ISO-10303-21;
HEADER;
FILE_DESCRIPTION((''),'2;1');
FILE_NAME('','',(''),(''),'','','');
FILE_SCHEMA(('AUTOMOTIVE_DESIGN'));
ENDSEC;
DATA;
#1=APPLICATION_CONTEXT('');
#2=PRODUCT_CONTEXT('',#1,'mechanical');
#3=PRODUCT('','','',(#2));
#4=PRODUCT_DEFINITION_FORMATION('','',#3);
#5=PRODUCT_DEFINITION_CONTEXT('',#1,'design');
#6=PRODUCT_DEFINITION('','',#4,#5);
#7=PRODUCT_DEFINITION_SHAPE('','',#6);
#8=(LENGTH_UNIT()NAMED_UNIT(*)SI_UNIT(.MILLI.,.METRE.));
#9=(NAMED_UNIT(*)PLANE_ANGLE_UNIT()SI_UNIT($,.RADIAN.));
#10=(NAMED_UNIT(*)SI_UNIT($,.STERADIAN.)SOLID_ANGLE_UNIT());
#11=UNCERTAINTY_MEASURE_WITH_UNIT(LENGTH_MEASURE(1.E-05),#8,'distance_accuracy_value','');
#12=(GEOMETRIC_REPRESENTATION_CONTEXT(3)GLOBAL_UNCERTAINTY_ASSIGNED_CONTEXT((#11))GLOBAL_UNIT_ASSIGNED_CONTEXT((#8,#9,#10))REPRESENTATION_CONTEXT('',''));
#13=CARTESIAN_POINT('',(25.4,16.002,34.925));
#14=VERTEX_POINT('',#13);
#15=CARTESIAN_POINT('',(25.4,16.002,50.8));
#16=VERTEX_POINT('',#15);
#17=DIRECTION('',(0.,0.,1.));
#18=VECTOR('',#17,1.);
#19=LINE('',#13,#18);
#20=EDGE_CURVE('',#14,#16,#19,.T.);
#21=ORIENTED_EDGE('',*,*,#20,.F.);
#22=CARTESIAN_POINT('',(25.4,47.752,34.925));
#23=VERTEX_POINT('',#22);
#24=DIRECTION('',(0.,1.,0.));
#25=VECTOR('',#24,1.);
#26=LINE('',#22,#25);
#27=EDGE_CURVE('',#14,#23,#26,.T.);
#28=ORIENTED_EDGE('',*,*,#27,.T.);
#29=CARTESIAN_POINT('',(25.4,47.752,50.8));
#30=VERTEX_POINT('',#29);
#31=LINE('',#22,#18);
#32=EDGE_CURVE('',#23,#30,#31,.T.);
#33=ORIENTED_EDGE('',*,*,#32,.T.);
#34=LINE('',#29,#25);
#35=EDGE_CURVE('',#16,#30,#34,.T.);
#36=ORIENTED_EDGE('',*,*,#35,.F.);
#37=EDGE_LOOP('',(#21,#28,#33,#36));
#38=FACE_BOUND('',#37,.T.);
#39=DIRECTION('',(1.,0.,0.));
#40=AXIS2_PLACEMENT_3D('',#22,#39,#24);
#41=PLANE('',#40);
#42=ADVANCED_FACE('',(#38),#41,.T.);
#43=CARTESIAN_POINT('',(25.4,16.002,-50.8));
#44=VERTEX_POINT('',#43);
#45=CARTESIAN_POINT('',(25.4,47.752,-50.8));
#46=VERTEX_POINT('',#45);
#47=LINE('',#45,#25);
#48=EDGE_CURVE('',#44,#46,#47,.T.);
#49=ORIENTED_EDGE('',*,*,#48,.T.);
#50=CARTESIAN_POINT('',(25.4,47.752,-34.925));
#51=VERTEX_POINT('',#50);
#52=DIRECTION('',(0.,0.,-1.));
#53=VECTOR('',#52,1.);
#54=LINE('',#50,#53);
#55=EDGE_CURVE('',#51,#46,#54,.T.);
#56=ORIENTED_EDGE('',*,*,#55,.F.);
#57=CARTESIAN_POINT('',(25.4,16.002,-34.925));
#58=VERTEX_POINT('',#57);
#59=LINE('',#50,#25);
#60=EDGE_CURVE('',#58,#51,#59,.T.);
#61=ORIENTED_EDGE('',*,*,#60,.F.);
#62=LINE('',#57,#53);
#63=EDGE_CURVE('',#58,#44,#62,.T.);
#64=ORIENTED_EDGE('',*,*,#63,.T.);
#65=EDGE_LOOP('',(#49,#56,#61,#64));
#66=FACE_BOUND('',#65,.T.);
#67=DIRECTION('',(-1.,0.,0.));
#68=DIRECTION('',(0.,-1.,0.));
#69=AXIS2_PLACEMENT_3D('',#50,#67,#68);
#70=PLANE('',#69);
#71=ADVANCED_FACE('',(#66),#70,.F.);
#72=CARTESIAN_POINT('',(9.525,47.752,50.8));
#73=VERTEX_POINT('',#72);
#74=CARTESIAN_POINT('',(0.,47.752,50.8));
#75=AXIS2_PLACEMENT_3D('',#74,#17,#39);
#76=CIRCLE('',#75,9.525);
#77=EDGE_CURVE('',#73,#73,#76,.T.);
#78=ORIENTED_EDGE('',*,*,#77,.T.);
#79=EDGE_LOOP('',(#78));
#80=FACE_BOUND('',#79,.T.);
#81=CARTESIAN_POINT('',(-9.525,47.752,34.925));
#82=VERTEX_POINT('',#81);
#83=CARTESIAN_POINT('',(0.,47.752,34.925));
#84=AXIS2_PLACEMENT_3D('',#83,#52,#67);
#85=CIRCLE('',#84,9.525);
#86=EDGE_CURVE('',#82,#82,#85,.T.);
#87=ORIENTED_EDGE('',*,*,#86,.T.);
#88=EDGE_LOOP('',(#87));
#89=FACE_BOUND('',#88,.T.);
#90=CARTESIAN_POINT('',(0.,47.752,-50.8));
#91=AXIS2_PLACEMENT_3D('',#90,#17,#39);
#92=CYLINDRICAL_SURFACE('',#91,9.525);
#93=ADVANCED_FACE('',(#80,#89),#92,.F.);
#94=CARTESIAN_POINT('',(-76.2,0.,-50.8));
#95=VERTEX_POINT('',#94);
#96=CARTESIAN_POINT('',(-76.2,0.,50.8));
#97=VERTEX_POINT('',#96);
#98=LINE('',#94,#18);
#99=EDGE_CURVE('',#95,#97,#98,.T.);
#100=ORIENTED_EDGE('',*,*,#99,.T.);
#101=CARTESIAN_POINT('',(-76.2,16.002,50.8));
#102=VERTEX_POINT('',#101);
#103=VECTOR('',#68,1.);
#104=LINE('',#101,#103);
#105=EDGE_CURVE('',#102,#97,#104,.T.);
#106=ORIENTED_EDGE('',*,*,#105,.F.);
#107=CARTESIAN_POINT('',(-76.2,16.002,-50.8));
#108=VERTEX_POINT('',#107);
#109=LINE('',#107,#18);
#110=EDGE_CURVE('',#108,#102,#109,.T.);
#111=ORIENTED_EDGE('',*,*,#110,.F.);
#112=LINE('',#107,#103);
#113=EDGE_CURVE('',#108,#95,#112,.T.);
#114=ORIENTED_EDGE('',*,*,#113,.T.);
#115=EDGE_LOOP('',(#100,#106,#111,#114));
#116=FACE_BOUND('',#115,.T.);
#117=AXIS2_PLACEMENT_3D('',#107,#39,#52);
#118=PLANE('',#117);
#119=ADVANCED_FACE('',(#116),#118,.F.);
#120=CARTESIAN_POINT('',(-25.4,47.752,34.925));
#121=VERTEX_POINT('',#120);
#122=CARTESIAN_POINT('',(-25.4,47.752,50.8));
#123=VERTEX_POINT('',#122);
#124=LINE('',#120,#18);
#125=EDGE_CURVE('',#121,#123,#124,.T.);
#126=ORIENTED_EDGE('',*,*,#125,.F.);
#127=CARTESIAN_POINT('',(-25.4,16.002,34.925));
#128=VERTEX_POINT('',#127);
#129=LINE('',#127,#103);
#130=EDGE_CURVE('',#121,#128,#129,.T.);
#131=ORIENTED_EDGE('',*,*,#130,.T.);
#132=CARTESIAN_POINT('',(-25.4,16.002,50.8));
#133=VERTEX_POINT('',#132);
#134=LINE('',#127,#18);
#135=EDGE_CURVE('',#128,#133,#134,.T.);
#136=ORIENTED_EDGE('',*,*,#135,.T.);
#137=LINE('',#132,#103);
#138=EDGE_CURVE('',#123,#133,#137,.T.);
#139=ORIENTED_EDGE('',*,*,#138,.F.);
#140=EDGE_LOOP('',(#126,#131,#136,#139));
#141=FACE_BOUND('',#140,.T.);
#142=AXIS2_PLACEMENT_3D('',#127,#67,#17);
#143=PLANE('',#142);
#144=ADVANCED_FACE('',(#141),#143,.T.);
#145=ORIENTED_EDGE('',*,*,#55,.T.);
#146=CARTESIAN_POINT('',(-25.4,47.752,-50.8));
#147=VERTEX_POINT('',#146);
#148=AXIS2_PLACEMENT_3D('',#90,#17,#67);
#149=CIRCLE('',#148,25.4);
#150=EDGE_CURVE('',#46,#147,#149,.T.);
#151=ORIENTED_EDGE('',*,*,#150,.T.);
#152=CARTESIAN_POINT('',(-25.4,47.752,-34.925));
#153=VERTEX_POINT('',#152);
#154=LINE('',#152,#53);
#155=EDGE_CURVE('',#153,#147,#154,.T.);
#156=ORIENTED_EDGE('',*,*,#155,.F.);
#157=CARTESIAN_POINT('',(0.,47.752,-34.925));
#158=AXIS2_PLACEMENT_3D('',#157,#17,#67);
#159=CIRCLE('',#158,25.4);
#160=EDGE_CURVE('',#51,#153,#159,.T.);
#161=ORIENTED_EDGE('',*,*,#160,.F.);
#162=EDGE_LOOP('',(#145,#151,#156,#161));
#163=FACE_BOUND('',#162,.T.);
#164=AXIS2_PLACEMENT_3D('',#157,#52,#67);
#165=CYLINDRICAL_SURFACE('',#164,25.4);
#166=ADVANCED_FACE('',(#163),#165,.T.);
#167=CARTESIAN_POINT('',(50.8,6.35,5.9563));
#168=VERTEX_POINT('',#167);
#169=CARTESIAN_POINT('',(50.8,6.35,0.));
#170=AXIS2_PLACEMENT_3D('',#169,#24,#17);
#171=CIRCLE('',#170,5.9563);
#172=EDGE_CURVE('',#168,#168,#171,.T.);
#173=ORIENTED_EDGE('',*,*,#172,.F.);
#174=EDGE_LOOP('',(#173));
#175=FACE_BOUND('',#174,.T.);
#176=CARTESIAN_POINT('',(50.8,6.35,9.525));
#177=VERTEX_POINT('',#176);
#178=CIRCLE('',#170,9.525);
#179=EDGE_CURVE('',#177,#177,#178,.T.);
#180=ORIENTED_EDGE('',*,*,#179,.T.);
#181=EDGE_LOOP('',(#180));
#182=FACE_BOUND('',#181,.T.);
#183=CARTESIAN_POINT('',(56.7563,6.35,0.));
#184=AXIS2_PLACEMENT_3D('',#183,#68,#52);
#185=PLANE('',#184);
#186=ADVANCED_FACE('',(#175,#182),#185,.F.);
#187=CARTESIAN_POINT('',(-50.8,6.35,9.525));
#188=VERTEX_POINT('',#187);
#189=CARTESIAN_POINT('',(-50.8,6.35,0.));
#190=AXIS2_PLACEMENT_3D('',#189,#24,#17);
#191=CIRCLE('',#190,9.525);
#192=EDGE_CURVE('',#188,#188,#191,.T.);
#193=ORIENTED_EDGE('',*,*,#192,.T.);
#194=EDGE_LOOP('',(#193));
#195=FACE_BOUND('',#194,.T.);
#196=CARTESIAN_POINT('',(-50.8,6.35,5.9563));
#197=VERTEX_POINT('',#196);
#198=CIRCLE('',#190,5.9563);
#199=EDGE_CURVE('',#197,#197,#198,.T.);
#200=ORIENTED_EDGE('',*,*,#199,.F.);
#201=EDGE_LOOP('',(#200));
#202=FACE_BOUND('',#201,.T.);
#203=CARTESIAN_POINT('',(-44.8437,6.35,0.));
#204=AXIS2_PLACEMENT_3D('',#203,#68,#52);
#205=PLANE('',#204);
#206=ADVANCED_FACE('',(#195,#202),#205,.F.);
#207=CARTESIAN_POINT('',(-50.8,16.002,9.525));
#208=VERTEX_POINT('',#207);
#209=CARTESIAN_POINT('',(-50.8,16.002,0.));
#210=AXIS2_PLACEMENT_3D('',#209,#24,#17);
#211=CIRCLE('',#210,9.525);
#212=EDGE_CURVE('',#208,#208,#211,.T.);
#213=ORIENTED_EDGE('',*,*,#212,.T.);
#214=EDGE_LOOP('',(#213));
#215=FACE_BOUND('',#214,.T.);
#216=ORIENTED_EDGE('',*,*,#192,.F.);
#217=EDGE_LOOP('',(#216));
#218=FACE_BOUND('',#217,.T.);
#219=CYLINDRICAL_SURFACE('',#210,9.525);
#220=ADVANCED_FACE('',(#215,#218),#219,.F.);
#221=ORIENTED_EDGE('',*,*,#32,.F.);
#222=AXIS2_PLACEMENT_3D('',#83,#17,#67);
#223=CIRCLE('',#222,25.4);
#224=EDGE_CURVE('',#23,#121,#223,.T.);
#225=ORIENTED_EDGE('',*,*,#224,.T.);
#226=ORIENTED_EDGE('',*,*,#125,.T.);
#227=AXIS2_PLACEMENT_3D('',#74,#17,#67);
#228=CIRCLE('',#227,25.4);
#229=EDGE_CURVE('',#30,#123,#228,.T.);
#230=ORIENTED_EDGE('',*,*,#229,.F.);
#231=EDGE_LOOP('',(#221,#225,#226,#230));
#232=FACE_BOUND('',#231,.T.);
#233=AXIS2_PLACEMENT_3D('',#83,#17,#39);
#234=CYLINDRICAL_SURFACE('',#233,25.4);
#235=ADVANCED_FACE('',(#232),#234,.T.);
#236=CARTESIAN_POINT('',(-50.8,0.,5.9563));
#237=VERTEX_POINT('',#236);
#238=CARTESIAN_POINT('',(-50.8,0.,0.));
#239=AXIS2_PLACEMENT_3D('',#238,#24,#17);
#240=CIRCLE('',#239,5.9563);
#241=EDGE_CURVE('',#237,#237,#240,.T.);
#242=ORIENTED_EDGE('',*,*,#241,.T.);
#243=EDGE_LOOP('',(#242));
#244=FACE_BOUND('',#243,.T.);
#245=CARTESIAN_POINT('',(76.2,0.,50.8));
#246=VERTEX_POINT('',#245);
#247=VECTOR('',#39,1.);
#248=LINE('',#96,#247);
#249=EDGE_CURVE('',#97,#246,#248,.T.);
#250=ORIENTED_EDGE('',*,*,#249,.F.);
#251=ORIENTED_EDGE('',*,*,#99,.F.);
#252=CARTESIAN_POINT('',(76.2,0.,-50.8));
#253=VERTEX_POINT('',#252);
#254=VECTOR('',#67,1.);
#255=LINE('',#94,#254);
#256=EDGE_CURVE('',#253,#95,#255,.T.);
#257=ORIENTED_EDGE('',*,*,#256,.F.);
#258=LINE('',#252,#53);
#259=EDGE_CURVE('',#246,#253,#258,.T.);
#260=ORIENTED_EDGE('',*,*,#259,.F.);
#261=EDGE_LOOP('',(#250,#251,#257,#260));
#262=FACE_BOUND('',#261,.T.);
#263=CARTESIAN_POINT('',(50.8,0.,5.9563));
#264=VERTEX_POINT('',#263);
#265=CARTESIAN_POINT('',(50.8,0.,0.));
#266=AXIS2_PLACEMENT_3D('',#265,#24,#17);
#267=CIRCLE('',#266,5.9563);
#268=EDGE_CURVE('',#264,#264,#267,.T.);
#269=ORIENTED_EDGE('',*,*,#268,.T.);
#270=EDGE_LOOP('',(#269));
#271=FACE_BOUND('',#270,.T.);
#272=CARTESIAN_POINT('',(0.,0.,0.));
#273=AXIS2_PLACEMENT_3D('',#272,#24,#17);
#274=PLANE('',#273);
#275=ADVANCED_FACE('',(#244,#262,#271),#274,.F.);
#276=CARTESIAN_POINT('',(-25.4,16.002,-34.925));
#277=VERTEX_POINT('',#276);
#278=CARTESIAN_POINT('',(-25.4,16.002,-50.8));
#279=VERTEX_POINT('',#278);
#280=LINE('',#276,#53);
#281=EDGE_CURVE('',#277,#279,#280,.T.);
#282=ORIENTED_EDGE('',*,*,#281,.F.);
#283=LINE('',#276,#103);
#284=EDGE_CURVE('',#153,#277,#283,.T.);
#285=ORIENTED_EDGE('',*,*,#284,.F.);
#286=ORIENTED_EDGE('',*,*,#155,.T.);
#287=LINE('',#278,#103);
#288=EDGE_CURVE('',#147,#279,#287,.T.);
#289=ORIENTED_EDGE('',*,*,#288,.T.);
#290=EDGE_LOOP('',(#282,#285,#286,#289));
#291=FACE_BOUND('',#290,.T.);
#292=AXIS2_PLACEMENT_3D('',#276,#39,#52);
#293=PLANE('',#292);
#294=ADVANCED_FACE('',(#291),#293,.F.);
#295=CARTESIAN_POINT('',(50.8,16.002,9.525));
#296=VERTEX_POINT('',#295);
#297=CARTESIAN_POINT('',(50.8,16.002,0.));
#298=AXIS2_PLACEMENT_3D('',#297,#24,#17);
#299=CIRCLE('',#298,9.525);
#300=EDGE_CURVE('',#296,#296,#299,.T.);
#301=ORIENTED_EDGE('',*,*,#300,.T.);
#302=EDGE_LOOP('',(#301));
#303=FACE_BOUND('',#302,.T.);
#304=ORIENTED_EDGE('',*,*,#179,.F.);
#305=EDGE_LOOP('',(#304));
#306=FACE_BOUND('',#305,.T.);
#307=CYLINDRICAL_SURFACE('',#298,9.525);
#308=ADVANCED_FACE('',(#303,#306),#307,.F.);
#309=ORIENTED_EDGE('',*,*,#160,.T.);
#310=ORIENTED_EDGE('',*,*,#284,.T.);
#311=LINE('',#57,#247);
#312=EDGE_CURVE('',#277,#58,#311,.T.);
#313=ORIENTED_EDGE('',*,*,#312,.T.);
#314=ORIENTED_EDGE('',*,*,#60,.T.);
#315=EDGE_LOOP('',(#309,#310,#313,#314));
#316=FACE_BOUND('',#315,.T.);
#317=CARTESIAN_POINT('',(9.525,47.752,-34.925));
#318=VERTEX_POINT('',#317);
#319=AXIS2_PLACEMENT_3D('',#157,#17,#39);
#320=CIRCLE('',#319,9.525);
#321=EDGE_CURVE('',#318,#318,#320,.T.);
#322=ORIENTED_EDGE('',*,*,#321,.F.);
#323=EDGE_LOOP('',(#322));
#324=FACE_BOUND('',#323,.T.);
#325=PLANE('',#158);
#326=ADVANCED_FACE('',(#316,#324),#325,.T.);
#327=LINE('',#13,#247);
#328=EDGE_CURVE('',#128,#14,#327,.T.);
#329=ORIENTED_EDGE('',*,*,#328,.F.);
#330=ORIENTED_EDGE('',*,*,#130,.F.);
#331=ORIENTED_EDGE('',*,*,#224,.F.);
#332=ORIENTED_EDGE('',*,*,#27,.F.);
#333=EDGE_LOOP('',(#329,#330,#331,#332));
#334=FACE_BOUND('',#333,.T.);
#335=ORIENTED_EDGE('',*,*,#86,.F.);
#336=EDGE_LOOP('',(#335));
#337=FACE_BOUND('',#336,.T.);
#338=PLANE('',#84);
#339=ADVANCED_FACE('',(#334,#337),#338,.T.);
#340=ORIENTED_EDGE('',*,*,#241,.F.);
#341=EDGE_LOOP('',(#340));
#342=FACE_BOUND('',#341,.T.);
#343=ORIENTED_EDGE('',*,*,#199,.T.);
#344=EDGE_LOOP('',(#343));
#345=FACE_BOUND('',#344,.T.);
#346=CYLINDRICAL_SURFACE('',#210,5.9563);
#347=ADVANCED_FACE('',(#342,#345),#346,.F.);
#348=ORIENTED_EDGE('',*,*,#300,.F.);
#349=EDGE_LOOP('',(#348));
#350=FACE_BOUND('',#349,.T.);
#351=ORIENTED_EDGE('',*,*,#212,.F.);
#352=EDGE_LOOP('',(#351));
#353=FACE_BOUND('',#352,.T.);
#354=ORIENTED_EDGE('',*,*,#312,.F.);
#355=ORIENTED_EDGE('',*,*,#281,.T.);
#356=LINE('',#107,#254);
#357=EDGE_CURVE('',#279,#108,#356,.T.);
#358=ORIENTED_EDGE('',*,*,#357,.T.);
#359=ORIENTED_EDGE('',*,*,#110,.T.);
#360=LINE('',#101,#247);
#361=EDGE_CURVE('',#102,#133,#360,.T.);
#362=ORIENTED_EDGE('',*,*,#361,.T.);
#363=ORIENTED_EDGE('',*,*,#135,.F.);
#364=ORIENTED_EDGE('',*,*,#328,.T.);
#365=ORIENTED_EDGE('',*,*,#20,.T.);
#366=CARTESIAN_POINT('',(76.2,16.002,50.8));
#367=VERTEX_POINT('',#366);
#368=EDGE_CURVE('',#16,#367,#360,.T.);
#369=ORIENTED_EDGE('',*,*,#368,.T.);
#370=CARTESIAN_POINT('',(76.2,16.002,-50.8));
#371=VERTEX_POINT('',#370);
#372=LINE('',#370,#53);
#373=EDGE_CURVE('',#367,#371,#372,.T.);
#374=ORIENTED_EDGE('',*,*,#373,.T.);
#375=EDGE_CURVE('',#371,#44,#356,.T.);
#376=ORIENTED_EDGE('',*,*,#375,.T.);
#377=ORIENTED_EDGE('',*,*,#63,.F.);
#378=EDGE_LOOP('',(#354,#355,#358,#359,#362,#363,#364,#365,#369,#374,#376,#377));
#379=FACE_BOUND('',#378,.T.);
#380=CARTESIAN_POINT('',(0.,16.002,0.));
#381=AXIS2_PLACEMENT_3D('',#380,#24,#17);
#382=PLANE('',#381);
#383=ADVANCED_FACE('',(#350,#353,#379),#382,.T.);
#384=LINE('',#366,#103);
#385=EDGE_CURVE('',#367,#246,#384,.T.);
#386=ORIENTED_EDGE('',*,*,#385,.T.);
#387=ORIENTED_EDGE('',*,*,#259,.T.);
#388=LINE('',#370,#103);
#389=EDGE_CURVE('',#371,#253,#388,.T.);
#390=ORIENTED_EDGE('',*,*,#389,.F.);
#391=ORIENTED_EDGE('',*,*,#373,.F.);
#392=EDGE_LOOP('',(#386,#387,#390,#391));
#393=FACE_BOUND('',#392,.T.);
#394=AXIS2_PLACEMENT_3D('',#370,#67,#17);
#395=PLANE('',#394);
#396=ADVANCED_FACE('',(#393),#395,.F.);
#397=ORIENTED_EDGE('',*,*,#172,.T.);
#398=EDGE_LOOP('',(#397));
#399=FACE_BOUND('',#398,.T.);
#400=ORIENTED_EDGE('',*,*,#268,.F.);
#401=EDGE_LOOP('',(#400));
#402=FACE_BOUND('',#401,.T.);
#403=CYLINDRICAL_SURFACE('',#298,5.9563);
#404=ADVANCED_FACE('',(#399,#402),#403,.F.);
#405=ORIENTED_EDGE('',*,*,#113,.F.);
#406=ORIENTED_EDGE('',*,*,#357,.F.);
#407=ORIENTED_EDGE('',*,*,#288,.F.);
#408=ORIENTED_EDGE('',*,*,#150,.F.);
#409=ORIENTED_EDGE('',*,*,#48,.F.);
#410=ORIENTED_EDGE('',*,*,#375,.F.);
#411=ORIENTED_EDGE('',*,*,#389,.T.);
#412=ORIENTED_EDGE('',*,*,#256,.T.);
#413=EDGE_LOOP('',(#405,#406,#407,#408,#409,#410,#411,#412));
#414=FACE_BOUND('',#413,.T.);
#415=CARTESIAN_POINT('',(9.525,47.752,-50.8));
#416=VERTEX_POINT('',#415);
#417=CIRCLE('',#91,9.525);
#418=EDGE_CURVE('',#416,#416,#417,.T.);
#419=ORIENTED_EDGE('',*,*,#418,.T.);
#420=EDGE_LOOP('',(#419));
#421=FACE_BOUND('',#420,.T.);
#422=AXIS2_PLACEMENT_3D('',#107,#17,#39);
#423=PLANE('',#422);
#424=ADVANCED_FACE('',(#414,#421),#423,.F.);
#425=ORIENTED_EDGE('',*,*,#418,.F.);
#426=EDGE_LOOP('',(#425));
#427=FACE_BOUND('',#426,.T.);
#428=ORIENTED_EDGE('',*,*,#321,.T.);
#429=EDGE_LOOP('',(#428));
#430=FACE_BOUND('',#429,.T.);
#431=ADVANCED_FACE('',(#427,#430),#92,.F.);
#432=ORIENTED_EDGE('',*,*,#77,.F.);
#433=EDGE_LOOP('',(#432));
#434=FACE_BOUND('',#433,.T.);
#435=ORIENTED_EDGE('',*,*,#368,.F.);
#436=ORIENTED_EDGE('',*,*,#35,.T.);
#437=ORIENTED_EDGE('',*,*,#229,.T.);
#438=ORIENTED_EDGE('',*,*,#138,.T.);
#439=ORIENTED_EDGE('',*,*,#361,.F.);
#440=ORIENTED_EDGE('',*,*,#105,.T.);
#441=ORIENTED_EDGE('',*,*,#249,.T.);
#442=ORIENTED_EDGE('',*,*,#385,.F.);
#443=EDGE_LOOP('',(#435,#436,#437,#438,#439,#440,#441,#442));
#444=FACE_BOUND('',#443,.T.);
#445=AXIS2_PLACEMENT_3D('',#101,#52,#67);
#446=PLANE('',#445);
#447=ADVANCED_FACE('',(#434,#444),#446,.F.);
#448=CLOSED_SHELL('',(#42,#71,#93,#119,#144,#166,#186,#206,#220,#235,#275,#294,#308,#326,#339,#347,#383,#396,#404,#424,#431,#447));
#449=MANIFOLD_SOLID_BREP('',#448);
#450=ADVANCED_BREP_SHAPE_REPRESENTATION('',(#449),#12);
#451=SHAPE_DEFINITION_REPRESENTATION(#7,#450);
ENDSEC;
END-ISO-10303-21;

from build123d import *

# Parameters (mm, degrees)
SKETCH1_W                                           = 152.4
SKETCH1_H                                           = 101.6
BOSS_EXTRUDE1_DEPTH                                 = 16.002
CBORE_FOR_0_BINDING_HEAD_MACHINE_SCREW1_D           = 11.9126
CBORE_FOR_0_BINDING_HEAD_MACHINE_SCREW1_CBORE_D     = 19.05
CBORE_FOR_0_BINDING_HEAD_MACHINE_SCREW1_CBORE_DEPTH = 9.652
BOSS_EXTRUDE2_DEPTH                                 = 15.875
SKETCH8_R                                           = 9.525
CUT_EXTRUDE1_DEPTH                                  = 147.561301523


with BuildPart() as part:
    # Sketch1 → Boss-Extrude1 (new body)
    with BuildSketch(Plane(origin=(0, 0, 0), x_dir=(1, 0, 0), z_dir=(0, 1, 0))):
        Rectangle(SKETCH1_W, SKETCH1_H)
    extrude(amount=BOSS_EXTRUDE1_DEPTH)

    # CBORE for #0 Binding Head Machine Screw1 (through all)
    with Locations(Plane(origin=(0, 16.002, 0), x_dir=(1, 0, 0), z_dir=(0, 1, 0))):
        with Locations((-50.8, 0), (50.8, 0)):
            CounterBoreHole(CBORE_FOR_0_BINDING_HEAD_MACHINE_SCREW1_D / 2, CBORE_FOR_0_BINDING_HEAD_MACHINE_SCREW1_CBORE_D / 2, CBORE_FOR_0_BINDING_HEAD_MACHINE_SCREW1_CBORE_DEPTH)

    # Sketch7 → Boss-Extrude2 (add)
    with BuildSketch(Plane.XY.offset(50.8)):
        with BuildLine():
            Line((-25.4, 16.002), (-25.4, 47.752))
            ThreePointArc((-25.4, 47.752), (0, 73.152), (25.4, 47.752))
            Line((25.4, 47.752), (25.4, 16.002))
            Line((25.4, 16.002), (-25.4, 16.002))
        make_face()
    boss_extrude2 = extrude(amount=-BOSS_EXTRUDE2_DEPTH)

    # Mirror1: Boss-Extrude2 across plane
    add(boss_extrude2.mirror(Plane.XY))

    # Sketch8 → Cut-Extrude1 (cut, through all)
    with BuildSketch(Plane.XY.offset(50.8)):
        with Locations((0, 47.752)):
            Circle(SKETCH8_R)
    extrude(amount=-CUT_EXTRUDE1_DEPTH, mode=Mode.SUBTRACT)


solid = part.part
